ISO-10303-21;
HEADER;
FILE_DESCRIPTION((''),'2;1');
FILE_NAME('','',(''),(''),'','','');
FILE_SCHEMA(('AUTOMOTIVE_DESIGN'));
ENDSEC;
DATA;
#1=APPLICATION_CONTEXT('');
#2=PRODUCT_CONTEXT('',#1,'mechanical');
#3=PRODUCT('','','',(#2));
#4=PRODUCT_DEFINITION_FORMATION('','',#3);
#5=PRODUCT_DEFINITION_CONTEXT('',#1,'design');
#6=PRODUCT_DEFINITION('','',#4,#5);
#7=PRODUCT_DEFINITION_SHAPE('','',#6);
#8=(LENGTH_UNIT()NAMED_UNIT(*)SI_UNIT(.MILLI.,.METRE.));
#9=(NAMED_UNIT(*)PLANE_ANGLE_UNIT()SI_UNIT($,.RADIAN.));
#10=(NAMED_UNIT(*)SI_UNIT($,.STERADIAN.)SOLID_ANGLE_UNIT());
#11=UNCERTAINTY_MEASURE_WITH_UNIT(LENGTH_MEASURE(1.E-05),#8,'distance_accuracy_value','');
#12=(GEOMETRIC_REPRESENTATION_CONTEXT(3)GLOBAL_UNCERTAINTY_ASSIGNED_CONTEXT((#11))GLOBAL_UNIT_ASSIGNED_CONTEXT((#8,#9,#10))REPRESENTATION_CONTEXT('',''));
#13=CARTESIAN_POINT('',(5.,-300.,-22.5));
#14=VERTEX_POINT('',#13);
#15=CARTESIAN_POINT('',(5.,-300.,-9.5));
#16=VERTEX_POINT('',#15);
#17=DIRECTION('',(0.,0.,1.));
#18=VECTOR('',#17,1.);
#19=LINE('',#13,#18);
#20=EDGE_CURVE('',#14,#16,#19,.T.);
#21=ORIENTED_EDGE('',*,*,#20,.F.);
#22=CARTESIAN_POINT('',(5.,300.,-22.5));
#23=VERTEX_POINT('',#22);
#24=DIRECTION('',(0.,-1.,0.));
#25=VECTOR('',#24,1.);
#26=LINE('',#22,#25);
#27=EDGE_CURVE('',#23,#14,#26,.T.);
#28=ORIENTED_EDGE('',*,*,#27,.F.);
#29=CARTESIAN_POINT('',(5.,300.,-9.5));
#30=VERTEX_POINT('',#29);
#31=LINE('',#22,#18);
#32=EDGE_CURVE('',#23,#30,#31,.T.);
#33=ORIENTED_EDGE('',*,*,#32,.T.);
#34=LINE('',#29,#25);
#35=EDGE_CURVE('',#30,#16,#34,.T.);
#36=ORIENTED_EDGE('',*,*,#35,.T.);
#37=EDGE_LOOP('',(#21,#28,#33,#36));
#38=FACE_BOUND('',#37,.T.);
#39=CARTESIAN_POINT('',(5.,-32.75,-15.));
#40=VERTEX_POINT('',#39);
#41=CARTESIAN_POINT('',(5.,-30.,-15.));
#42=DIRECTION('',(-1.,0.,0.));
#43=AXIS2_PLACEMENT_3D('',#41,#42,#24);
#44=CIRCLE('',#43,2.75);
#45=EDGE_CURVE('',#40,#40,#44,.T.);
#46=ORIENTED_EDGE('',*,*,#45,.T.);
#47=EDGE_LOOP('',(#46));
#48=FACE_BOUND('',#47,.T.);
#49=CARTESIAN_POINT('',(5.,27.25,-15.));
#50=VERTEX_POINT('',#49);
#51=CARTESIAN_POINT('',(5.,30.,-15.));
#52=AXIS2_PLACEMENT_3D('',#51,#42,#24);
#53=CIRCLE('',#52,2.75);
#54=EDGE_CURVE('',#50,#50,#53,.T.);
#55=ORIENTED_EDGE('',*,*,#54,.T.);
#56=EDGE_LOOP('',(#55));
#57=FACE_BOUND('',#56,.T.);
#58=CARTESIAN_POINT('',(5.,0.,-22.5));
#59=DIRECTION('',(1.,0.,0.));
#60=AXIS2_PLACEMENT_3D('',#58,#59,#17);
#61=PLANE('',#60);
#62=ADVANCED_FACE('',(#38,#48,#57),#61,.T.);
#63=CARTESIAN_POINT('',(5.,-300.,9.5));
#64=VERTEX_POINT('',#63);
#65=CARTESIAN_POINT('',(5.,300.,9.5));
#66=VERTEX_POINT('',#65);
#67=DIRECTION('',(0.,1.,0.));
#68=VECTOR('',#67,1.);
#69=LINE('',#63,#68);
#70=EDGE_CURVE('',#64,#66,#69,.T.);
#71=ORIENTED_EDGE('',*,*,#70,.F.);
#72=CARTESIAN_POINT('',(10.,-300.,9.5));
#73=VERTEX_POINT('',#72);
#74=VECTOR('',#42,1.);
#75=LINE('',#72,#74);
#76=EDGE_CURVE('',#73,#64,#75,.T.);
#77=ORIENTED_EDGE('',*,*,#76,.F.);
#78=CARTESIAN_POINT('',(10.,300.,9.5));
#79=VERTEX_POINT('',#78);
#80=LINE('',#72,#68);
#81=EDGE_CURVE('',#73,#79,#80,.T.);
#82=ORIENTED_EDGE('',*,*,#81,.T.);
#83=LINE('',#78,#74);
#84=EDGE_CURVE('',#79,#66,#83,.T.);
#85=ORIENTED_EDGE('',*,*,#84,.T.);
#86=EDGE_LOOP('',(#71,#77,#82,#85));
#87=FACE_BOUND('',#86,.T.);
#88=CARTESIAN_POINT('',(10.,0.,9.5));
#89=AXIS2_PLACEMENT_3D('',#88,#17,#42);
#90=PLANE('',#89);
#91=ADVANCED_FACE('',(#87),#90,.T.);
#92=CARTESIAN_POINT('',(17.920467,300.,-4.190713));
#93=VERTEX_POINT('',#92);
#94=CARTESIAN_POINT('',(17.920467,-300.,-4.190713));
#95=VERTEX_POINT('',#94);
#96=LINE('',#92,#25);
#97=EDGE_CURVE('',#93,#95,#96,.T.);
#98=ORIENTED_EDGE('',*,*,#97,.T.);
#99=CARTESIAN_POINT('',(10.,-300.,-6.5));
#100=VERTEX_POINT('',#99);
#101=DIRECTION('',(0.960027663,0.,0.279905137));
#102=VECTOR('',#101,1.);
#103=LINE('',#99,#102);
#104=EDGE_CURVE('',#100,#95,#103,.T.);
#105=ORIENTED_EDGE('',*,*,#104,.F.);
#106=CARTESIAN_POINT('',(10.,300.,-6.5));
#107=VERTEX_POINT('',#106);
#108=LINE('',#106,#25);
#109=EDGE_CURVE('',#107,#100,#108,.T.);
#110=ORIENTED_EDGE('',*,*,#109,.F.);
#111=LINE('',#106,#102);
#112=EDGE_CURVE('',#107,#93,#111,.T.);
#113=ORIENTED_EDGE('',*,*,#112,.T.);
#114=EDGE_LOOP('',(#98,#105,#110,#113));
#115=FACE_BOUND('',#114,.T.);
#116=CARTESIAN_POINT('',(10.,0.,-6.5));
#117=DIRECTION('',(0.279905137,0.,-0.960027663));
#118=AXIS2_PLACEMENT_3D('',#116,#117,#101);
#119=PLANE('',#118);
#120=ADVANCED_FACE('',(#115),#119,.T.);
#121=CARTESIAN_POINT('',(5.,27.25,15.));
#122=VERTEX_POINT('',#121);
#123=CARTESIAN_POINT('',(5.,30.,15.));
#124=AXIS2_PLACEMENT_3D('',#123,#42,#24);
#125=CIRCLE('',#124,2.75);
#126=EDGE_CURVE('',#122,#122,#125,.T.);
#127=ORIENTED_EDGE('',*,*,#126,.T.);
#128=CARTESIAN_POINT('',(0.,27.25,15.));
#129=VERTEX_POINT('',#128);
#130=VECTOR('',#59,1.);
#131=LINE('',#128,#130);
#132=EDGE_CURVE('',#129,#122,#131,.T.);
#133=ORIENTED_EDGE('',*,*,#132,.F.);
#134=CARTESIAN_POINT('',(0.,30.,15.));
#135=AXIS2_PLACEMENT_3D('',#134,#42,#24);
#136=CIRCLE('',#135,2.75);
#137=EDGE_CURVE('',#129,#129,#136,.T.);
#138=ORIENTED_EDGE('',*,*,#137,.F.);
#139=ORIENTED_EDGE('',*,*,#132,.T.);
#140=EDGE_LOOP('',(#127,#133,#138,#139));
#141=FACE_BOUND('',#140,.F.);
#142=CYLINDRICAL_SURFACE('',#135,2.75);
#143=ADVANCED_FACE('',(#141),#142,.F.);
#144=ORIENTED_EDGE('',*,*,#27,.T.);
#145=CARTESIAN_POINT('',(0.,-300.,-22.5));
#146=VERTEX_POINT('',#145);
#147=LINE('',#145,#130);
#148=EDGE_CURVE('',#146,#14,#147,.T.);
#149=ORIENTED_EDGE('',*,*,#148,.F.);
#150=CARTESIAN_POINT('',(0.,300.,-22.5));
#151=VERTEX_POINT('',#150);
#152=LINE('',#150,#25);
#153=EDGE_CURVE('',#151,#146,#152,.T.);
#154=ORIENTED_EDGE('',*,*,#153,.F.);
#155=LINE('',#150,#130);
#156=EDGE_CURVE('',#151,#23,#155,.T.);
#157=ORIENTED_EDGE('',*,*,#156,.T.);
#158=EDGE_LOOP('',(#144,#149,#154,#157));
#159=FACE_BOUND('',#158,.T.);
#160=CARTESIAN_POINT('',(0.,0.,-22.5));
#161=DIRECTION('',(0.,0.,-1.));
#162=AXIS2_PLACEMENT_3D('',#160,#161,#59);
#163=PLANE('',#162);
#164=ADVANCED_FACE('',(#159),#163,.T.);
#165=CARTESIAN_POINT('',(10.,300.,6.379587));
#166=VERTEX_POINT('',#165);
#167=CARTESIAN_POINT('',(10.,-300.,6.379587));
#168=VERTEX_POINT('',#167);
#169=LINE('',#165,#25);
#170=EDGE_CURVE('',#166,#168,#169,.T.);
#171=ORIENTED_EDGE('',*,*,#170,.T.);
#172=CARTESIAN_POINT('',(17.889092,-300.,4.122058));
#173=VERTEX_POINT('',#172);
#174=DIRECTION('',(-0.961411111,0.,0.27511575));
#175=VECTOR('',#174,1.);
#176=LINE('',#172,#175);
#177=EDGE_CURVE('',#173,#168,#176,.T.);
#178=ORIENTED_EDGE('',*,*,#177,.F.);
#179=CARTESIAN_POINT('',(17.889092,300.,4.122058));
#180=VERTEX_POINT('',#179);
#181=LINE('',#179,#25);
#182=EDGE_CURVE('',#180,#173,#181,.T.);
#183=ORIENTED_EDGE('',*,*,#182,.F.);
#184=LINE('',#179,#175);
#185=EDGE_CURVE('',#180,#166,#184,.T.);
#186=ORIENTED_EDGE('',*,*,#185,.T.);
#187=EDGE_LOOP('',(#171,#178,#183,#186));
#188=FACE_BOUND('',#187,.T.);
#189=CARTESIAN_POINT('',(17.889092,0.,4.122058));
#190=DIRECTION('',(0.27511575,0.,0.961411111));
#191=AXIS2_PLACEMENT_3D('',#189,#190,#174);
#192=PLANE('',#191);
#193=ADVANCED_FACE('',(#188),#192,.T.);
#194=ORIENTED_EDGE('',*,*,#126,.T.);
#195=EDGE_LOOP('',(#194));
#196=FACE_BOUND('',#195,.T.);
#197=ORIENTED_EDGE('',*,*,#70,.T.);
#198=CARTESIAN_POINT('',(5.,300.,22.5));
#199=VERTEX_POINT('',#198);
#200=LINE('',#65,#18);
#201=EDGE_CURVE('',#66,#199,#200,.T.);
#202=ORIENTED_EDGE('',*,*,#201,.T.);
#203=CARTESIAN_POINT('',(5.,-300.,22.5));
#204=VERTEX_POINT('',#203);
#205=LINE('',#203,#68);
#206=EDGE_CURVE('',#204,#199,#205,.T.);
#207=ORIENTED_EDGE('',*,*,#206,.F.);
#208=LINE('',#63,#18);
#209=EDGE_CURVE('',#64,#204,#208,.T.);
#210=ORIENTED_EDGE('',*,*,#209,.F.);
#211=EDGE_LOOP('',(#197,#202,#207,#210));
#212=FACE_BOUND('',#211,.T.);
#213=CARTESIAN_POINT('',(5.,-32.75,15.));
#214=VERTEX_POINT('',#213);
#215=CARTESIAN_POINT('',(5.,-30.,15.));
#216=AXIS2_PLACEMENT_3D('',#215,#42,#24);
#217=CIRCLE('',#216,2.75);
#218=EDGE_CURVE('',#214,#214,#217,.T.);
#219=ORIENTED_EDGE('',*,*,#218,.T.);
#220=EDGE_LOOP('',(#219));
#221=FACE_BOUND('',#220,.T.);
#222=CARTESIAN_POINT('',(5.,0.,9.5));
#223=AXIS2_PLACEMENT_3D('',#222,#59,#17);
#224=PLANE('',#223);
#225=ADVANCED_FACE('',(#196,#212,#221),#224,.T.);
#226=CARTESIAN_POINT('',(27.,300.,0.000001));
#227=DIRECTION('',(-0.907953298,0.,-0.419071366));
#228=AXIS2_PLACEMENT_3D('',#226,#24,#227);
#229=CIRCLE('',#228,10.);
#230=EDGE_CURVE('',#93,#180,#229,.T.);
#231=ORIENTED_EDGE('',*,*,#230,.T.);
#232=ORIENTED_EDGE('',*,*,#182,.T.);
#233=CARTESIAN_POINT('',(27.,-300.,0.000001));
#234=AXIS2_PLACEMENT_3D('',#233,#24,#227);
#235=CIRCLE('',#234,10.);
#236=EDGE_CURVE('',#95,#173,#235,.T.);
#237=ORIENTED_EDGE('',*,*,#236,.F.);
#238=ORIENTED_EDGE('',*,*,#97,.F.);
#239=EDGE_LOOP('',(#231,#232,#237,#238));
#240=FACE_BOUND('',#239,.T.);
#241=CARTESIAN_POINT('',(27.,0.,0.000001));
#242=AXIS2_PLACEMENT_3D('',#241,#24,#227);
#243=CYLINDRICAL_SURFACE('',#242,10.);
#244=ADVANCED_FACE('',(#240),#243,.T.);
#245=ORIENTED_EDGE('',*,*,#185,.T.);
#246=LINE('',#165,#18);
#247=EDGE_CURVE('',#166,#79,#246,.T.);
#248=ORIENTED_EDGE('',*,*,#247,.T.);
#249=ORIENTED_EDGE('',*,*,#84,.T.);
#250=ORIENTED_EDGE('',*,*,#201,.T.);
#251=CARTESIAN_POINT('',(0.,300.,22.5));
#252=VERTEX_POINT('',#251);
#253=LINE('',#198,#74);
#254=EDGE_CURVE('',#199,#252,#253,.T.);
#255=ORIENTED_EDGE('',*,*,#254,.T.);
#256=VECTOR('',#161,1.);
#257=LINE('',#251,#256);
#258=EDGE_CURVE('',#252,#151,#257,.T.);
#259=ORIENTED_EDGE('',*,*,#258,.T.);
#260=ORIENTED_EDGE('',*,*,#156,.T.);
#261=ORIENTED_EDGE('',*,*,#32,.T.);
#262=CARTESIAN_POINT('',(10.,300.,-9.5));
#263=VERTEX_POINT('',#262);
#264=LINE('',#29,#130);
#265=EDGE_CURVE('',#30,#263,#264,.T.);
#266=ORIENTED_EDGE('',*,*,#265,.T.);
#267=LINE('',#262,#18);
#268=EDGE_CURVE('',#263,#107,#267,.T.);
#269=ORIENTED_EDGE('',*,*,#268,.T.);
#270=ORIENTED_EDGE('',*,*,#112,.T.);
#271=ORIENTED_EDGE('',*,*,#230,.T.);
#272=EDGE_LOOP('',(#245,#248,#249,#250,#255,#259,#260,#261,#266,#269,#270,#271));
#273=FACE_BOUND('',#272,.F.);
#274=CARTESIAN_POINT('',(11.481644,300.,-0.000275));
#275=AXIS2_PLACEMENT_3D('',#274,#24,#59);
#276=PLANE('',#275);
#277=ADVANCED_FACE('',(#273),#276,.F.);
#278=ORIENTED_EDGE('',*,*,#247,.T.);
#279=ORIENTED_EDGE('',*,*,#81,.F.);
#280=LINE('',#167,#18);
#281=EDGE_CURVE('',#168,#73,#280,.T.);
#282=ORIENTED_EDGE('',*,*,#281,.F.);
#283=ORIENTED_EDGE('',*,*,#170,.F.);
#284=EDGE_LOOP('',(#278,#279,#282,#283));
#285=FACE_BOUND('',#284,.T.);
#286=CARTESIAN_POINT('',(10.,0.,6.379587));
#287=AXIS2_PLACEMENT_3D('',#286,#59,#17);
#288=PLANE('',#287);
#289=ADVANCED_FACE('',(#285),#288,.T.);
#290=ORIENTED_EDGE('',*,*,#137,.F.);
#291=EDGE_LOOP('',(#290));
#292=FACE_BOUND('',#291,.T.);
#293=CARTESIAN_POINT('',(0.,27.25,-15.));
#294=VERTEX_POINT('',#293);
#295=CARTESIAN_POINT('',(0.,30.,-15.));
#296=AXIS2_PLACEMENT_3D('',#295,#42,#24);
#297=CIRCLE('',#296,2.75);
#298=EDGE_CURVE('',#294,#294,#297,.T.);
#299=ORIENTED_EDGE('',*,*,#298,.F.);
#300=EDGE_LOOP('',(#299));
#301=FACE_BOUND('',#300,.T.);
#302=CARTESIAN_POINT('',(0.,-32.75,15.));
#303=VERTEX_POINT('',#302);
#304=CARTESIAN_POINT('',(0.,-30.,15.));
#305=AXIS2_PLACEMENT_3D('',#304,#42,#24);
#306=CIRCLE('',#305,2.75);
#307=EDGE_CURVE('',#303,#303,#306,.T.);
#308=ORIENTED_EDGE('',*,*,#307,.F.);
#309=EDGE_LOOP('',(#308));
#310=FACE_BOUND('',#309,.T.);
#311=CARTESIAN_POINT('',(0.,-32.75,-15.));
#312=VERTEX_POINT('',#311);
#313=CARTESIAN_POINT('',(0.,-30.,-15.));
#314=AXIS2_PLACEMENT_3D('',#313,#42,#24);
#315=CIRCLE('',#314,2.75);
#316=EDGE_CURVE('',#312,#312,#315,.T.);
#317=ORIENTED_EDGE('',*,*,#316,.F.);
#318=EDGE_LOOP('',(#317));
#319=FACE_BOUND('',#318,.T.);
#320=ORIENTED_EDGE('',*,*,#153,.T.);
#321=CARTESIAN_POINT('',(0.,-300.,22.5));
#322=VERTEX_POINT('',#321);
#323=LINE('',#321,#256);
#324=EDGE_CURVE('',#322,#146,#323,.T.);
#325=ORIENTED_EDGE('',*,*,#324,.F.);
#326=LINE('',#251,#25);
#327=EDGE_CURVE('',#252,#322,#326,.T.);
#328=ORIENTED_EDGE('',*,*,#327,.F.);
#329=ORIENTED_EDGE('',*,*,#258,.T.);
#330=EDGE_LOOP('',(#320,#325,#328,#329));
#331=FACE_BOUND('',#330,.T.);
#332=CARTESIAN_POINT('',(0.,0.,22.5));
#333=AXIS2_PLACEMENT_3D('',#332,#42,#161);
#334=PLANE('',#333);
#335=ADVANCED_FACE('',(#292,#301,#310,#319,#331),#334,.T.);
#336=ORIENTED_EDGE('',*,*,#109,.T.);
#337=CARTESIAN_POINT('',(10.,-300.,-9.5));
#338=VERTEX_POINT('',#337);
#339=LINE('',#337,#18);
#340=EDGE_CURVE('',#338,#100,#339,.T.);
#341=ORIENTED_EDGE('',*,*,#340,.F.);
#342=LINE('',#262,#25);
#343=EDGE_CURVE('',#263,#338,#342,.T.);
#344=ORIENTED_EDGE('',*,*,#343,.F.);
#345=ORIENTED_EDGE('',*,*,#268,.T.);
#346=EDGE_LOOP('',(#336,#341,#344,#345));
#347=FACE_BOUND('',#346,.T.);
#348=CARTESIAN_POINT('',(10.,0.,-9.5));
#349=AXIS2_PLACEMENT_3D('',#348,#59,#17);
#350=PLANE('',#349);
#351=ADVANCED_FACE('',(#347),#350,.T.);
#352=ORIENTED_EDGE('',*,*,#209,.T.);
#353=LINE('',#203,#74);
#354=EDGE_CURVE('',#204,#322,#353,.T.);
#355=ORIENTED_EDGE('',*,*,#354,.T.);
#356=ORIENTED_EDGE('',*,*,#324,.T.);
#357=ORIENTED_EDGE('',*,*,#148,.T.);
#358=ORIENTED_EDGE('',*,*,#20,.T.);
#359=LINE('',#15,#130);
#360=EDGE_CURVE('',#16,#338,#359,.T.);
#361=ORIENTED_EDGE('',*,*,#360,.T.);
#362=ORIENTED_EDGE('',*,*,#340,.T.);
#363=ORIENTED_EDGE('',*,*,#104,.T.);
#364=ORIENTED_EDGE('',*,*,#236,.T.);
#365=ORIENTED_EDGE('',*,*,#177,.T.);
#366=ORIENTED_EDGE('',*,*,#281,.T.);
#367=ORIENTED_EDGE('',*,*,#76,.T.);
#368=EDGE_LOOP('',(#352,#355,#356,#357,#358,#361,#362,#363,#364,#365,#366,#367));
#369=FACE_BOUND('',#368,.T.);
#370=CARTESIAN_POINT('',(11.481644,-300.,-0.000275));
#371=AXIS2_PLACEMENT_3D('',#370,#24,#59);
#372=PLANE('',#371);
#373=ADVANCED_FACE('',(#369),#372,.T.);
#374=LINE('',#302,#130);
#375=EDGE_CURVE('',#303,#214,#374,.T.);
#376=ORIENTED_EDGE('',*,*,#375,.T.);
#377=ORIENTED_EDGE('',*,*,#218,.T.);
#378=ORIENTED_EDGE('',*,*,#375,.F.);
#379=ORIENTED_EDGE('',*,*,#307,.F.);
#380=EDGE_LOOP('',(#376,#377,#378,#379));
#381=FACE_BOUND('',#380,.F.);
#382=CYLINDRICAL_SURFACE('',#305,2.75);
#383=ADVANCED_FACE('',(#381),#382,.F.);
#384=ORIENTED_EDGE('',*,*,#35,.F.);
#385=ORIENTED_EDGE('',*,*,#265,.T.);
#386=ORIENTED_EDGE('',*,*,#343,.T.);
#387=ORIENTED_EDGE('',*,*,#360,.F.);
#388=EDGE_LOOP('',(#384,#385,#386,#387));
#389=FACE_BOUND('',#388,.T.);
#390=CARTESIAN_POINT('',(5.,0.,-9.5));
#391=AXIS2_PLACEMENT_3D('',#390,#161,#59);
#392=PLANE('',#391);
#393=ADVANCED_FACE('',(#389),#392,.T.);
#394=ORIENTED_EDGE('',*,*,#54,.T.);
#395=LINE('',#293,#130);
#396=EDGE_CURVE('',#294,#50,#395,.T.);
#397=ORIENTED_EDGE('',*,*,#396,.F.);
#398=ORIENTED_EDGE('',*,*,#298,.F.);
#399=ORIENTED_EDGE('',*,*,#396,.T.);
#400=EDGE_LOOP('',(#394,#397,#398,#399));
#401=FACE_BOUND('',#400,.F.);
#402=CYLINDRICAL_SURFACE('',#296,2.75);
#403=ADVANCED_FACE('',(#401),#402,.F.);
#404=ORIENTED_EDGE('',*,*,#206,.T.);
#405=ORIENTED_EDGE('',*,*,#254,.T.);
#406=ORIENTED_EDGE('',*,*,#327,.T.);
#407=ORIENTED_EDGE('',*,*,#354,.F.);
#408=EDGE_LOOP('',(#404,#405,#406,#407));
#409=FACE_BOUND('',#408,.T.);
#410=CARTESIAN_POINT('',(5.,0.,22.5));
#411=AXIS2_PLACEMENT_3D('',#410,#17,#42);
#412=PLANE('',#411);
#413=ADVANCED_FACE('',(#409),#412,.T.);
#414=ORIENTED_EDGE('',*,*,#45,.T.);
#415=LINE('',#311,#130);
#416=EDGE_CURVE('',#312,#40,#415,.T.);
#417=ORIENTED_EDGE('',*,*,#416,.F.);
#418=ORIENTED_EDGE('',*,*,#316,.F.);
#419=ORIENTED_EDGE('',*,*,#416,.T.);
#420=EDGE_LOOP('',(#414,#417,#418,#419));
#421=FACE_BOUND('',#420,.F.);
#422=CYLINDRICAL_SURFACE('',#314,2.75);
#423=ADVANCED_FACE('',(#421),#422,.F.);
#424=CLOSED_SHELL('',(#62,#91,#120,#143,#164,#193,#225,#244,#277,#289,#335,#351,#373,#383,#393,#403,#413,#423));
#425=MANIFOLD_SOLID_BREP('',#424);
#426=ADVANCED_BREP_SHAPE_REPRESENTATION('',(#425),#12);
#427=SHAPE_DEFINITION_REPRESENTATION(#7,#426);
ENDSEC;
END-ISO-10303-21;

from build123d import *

# Parameters (mm, degrees)
F1_DEPTH = 300
F2_R     = 2.75
F3_DEPTH = 5


with BuildPart() as f1:
    # F0 (on Front) → F1 (new body, symmetric)
    with BuildSketch(Plane.XZ):
        with BuildLine():
            Line((5, 22.5), (0, 22.5))
            Line((0, 22.5), (0, -22.5))
            Line((0, -22.5), (5, -22.5))
            Line((5, -22.5), (5, -9.5))
            Line((5, -9.5), (10, -9.5))
            Line((10, -9.5), (10, -6.5))
            Line((10, -6.5), (17.920467, -4.190713))
            ThreePointArc((17.920467, -4.190713), (36.999929, 0.037742), (17.889092, 4.122058))
            Line((17.889092, 4.122058), (10, 6.379587))
            Line((10, 6.379587), (10, 9.5))
            Line((10, 9.5), (5, 9.5))
            Line((5, 9.5), (5, 22.5))
        make_face()
    extrude(amount=F1_DEPTH, both=True)

    # F2 (on face) → F3 (cut)
    with BuildSketch(Plane(origin=(0, 0, 0), x_dir=(0, -1, 0), z_dir=(-1, 0, 0))):
        with Locations((30, 15)):
            Circle(F2_R)
        with Locations((30, -15)):
            Circle(F2_R)
        with Locations((-30, -15)):
            Circle(F2_R)
        with Locations((-30, 15)):
            Circle(F2_R)
    extrude(amount=-F3_DEPTH, mode=Mode.SUBTRACT)


solid = f1.part
